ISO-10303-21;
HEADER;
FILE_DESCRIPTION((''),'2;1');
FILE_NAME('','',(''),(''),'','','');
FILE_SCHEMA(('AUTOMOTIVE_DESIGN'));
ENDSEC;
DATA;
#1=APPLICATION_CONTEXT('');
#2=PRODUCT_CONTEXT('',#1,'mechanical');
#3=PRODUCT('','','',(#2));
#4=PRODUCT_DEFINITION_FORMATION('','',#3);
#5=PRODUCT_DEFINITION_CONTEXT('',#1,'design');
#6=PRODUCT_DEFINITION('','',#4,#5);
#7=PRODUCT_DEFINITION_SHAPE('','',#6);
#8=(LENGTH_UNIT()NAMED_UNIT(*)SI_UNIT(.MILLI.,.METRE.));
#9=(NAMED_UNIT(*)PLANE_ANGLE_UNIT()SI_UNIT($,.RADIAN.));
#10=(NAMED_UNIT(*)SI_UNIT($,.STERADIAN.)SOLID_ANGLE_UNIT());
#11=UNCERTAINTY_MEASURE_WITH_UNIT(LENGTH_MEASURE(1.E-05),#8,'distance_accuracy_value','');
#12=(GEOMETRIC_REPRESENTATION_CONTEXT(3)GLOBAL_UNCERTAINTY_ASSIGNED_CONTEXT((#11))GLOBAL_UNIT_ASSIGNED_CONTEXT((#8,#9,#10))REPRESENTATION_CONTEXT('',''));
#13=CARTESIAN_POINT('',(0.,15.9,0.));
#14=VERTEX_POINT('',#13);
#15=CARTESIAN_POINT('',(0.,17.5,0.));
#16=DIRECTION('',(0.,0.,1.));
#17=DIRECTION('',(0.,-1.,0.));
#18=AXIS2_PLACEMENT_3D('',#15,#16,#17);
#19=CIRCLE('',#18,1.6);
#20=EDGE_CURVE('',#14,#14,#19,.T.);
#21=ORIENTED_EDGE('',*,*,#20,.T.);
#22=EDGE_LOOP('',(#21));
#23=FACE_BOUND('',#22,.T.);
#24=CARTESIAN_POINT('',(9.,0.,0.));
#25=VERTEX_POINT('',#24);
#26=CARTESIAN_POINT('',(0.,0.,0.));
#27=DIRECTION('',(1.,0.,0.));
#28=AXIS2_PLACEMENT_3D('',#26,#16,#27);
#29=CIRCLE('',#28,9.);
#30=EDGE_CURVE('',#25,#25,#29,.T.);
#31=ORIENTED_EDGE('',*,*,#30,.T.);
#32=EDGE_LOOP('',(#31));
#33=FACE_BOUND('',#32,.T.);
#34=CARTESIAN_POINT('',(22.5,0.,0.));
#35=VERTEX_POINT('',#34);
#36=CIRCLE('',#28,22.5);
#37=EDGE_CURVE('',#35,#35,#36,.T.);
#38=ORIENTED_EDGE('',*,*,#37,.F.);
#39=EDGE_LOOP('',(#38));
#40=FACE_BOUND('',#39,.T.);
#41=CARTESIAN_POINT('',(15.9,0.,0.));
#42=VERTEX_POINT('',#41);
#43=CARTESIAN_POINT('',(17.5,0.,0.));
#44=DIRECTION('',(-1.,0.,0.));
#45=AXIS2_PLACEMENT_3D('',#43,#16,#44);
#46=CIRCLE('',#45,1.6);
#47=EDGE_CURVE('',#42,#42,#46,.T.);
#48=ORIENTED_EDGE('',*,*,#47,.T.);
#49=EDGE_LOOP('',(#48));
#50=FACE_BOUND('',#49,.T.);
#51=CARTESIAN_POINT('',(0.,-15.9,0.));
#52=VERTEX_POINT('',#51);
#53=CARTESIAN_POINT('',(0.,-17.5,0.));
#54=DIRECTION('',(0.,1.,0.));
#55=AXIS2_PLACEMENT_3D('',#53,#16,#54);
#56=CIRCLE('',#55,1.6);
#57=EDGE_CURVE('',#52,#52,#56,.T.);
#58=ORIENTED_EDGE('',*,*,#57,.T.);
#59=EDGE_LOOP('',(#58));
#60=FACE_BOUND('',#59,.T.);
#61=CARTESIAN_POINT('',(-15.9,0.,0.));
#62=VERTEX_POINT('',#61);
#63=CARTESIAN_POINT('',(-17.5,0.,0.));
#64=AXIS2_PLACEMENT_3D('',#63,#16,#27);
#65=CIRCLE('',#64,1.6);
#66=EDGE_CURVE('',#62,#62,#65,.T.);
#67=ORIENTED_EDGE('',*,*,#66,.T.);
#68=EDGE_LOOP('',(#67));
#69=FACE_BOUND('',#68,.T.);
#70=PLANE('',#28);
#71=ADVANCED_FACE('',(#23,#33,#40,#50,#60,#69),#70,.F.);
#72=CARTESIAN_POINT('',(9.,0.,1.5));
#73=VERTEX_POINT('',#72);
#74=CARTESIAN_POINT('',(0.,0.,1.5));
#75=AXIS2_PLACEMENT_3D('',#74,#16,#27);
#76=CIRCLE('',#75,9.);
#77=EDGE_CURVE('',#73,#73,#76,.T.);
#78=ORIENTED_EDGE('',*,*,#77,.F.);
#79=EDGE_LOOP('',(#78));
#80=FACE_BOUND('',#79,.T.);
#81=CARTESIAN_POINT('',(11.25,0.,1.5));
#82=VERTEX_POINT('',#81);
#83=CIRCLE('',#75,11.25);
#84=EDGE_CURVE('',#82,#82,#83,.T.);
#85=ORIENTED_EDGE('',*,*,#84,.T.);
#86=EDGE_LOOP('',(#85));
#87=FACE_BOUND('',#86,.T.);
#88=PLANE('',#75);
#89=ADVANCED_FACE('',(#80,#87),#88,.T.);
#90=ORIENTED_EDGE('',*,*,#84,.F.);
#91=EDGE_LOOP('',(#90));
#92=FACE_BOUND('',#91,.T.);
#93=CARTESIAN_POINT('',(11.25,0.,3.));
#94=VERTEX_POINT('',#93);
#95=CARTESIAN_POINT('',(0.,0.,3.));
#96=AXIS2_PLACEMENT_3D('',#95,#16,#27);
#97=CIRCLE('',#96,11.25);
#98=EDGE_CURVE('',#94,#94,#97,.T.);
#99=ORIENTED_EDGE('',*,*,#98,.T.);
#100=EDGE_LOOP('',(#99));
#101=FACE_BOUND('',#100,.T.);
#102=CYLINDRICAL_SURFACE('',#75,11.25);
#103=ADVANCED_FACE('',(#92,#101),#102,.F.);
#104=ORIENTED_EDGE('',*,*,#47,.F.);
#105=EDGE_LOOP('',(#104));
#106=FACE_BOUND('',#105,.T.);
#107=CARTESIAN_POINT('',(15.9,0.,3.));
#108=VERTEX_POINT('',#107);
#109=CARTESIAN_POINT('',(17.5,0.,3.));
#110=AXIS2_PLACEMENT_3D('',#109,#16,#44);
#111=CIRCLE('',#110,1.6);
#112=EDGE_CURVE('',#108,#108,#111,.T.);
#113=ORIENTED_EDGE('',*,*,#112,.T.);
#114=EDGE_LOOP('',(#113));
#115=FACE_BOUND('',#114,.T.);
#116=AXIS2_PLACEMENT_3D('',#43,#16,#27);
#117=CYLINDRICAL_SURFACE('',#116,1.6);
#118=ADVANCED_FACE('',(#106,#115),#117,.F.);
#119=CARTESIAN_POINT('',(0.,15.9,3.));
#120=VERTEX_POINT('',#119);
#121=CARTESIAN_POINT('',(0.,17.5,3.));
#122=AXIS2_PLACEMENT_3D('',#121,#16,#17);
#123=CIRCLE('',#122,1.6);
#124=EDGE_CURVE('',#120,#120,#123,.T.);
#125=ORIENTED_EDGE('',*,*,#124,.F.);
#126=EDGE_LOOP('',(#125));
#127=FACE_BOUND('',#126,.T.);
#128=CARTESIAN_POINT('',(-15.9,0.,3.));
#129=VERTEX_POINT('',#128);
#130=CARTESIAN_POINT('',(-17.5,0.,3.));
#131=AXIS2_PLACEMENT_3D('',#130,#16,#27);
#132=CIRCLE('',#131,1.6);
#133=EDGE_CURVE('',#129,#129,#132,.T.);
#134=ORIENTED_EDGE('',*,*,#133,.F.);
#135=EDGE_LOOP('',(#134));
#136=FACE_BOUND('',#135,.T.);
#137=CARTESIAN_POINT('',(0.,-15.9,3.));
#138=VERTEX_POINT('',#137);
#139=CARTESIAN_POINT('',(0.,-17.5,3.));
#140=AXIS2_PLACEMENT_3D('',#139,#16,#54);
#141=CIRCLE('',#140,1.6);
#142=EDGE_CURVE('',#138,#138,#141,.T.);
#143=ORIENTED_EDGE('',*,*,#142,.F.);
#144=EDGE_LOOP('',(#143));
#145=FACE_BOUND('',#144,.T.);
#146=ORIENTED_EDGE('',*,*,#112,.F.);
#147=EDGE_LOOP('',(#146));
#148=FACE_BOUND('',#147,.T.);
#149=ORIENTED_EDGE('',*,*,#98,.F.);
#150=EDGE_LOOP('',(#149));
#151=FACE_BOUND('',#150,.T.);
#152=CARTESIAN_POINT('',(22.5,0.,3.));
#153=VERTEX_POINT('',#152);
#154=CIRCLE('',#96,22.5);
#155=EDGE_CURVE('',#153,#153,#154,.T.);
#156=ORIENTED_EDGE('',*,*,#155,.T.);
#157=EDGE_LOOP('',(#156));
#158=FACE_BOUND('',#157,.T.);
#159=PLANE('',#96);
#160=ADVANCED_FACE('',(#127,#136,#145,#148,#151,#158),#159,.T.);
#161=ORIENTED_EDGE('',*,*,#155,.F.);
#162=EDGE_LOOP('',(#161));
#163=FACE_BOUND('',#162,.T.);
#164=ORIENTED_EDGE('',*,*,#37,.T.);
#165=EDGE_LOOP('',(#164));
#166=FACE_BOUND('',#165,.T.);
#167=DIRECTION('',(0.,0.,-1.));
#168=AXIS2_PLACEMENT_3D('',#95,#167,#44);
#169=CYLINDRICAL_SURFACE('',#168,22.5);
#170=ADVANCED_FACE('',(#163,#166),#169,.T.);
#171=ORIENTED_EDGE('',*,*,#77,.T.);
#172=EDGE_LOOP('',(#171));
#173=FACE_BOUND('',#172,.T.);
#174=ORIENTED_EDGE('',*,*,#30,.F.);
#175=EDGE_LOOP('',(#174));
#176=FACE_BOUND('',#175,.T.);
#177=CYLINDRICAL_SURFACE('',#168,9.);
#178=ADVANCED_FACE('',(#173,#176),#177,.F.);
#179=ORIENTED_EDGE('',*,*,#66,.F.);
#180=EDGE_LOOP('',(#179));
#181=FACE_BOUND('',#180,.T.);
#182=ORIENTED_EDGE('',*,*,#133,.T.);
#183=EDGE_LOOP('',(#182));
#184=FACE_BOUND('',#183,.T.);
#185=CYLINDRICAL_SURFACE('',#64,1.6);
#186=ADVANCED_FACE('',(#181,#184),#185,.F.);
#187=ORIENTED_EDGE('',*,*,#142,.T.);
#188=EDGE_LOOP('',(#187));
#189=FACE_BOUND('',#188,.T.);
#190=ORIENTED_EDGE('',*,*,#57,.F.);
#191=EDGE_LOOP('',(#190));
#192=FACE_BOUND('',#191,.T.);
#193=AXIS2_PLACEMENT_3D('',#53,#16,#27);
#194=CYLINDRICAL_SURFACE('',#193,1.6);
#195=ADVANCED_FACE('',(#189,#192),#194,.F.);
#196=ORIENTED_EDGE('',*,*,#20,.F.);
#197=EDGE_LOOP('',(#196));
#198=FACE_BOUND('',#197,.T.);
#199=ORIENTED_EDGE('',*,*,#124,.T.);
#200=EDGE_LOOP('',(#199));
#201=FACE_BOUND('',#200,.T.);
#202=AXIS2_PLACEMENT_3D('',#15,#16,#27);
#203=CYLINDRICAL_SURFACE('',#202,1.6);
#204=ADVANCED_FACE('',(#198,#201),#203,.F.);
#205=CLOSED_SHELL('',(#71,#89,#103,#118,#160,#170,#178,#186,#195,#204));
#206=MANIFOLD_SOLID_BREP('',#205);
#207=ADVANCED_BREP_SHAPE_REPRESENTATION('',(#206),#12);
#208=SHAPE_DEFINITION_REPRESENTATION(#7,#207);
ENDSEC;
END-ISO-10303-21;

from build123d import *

# Parameters (mm, degrees)
SKETCH_1_R               = 22.5
SKETCH_1_R_2             = 9
EXTRUDE_1_DEPTH          = 3
SKETCH_2_R               = 1.6
CUT_EXTRUDE_1_DEPTH      = 4
PATTERN_CIRCULAR_2_COUNT = 4
SKETCH_3_R               = 11.25
SKETCH_3_R_2             = 9
CUT_EXTRUDE_2_DEPTH      = 1.5


with BuildPart() as part:
    # ｽｹｯﾁ1 → ﾎﾞｽ - 押し出し1 (new body)
    with BuildSketch(Plane.XY):
        Circle(SKETCH_1_R)
        Circle(SKETCH_1_R_2, mode=Mode.SUBTRACT)
    extrude(amount=EXTRUDE_1_DEPTH)

    # ｽｹｯﾁ2 → ｶｯﾄ - 押し出し1 (cut, through all)
    with BuildSketch(Plane.XY.offset(3)):
        with Locations((-17.5, 0)):
            Circle(SKETCH_2_R)
    cut_extrude_1 = extrude(amount=-CUT_EXTRUDE_1_DEPTH, mode=Mode.SUBTRACT)

    # 円形ﾊﾟﾀｰﾝ2: ｶｯﾄ - 押し出し1 ×4 about axis
    pattern_circular_2_axis = Axis((0, 0, 0), (0, 0, 1))
    for i in range(1, PATTERN_CIRCULAR_2_COUNT):
        add(cut_extrude_1.rotate(pattern_circular_2_axis, i * 360 / PATTERN_CIRCULAR_2_COUNT), mode=Mode.SUBTRACT)

    # ｽｹｯﾁ3 → ｶｯﾄ - 押し出し2 (cut)
    with BuildSketch(Plane.XY.offset(3)):
        Circle(SKETCH_3_R)
        Circle(SKETCH_3_R_2, mode=Mode.SUBTRACT)
    extrude(amount=-CUT_EXTRUDE_2_DEPTH, mode=Mode.SUBTRACT)


solid = part.part
